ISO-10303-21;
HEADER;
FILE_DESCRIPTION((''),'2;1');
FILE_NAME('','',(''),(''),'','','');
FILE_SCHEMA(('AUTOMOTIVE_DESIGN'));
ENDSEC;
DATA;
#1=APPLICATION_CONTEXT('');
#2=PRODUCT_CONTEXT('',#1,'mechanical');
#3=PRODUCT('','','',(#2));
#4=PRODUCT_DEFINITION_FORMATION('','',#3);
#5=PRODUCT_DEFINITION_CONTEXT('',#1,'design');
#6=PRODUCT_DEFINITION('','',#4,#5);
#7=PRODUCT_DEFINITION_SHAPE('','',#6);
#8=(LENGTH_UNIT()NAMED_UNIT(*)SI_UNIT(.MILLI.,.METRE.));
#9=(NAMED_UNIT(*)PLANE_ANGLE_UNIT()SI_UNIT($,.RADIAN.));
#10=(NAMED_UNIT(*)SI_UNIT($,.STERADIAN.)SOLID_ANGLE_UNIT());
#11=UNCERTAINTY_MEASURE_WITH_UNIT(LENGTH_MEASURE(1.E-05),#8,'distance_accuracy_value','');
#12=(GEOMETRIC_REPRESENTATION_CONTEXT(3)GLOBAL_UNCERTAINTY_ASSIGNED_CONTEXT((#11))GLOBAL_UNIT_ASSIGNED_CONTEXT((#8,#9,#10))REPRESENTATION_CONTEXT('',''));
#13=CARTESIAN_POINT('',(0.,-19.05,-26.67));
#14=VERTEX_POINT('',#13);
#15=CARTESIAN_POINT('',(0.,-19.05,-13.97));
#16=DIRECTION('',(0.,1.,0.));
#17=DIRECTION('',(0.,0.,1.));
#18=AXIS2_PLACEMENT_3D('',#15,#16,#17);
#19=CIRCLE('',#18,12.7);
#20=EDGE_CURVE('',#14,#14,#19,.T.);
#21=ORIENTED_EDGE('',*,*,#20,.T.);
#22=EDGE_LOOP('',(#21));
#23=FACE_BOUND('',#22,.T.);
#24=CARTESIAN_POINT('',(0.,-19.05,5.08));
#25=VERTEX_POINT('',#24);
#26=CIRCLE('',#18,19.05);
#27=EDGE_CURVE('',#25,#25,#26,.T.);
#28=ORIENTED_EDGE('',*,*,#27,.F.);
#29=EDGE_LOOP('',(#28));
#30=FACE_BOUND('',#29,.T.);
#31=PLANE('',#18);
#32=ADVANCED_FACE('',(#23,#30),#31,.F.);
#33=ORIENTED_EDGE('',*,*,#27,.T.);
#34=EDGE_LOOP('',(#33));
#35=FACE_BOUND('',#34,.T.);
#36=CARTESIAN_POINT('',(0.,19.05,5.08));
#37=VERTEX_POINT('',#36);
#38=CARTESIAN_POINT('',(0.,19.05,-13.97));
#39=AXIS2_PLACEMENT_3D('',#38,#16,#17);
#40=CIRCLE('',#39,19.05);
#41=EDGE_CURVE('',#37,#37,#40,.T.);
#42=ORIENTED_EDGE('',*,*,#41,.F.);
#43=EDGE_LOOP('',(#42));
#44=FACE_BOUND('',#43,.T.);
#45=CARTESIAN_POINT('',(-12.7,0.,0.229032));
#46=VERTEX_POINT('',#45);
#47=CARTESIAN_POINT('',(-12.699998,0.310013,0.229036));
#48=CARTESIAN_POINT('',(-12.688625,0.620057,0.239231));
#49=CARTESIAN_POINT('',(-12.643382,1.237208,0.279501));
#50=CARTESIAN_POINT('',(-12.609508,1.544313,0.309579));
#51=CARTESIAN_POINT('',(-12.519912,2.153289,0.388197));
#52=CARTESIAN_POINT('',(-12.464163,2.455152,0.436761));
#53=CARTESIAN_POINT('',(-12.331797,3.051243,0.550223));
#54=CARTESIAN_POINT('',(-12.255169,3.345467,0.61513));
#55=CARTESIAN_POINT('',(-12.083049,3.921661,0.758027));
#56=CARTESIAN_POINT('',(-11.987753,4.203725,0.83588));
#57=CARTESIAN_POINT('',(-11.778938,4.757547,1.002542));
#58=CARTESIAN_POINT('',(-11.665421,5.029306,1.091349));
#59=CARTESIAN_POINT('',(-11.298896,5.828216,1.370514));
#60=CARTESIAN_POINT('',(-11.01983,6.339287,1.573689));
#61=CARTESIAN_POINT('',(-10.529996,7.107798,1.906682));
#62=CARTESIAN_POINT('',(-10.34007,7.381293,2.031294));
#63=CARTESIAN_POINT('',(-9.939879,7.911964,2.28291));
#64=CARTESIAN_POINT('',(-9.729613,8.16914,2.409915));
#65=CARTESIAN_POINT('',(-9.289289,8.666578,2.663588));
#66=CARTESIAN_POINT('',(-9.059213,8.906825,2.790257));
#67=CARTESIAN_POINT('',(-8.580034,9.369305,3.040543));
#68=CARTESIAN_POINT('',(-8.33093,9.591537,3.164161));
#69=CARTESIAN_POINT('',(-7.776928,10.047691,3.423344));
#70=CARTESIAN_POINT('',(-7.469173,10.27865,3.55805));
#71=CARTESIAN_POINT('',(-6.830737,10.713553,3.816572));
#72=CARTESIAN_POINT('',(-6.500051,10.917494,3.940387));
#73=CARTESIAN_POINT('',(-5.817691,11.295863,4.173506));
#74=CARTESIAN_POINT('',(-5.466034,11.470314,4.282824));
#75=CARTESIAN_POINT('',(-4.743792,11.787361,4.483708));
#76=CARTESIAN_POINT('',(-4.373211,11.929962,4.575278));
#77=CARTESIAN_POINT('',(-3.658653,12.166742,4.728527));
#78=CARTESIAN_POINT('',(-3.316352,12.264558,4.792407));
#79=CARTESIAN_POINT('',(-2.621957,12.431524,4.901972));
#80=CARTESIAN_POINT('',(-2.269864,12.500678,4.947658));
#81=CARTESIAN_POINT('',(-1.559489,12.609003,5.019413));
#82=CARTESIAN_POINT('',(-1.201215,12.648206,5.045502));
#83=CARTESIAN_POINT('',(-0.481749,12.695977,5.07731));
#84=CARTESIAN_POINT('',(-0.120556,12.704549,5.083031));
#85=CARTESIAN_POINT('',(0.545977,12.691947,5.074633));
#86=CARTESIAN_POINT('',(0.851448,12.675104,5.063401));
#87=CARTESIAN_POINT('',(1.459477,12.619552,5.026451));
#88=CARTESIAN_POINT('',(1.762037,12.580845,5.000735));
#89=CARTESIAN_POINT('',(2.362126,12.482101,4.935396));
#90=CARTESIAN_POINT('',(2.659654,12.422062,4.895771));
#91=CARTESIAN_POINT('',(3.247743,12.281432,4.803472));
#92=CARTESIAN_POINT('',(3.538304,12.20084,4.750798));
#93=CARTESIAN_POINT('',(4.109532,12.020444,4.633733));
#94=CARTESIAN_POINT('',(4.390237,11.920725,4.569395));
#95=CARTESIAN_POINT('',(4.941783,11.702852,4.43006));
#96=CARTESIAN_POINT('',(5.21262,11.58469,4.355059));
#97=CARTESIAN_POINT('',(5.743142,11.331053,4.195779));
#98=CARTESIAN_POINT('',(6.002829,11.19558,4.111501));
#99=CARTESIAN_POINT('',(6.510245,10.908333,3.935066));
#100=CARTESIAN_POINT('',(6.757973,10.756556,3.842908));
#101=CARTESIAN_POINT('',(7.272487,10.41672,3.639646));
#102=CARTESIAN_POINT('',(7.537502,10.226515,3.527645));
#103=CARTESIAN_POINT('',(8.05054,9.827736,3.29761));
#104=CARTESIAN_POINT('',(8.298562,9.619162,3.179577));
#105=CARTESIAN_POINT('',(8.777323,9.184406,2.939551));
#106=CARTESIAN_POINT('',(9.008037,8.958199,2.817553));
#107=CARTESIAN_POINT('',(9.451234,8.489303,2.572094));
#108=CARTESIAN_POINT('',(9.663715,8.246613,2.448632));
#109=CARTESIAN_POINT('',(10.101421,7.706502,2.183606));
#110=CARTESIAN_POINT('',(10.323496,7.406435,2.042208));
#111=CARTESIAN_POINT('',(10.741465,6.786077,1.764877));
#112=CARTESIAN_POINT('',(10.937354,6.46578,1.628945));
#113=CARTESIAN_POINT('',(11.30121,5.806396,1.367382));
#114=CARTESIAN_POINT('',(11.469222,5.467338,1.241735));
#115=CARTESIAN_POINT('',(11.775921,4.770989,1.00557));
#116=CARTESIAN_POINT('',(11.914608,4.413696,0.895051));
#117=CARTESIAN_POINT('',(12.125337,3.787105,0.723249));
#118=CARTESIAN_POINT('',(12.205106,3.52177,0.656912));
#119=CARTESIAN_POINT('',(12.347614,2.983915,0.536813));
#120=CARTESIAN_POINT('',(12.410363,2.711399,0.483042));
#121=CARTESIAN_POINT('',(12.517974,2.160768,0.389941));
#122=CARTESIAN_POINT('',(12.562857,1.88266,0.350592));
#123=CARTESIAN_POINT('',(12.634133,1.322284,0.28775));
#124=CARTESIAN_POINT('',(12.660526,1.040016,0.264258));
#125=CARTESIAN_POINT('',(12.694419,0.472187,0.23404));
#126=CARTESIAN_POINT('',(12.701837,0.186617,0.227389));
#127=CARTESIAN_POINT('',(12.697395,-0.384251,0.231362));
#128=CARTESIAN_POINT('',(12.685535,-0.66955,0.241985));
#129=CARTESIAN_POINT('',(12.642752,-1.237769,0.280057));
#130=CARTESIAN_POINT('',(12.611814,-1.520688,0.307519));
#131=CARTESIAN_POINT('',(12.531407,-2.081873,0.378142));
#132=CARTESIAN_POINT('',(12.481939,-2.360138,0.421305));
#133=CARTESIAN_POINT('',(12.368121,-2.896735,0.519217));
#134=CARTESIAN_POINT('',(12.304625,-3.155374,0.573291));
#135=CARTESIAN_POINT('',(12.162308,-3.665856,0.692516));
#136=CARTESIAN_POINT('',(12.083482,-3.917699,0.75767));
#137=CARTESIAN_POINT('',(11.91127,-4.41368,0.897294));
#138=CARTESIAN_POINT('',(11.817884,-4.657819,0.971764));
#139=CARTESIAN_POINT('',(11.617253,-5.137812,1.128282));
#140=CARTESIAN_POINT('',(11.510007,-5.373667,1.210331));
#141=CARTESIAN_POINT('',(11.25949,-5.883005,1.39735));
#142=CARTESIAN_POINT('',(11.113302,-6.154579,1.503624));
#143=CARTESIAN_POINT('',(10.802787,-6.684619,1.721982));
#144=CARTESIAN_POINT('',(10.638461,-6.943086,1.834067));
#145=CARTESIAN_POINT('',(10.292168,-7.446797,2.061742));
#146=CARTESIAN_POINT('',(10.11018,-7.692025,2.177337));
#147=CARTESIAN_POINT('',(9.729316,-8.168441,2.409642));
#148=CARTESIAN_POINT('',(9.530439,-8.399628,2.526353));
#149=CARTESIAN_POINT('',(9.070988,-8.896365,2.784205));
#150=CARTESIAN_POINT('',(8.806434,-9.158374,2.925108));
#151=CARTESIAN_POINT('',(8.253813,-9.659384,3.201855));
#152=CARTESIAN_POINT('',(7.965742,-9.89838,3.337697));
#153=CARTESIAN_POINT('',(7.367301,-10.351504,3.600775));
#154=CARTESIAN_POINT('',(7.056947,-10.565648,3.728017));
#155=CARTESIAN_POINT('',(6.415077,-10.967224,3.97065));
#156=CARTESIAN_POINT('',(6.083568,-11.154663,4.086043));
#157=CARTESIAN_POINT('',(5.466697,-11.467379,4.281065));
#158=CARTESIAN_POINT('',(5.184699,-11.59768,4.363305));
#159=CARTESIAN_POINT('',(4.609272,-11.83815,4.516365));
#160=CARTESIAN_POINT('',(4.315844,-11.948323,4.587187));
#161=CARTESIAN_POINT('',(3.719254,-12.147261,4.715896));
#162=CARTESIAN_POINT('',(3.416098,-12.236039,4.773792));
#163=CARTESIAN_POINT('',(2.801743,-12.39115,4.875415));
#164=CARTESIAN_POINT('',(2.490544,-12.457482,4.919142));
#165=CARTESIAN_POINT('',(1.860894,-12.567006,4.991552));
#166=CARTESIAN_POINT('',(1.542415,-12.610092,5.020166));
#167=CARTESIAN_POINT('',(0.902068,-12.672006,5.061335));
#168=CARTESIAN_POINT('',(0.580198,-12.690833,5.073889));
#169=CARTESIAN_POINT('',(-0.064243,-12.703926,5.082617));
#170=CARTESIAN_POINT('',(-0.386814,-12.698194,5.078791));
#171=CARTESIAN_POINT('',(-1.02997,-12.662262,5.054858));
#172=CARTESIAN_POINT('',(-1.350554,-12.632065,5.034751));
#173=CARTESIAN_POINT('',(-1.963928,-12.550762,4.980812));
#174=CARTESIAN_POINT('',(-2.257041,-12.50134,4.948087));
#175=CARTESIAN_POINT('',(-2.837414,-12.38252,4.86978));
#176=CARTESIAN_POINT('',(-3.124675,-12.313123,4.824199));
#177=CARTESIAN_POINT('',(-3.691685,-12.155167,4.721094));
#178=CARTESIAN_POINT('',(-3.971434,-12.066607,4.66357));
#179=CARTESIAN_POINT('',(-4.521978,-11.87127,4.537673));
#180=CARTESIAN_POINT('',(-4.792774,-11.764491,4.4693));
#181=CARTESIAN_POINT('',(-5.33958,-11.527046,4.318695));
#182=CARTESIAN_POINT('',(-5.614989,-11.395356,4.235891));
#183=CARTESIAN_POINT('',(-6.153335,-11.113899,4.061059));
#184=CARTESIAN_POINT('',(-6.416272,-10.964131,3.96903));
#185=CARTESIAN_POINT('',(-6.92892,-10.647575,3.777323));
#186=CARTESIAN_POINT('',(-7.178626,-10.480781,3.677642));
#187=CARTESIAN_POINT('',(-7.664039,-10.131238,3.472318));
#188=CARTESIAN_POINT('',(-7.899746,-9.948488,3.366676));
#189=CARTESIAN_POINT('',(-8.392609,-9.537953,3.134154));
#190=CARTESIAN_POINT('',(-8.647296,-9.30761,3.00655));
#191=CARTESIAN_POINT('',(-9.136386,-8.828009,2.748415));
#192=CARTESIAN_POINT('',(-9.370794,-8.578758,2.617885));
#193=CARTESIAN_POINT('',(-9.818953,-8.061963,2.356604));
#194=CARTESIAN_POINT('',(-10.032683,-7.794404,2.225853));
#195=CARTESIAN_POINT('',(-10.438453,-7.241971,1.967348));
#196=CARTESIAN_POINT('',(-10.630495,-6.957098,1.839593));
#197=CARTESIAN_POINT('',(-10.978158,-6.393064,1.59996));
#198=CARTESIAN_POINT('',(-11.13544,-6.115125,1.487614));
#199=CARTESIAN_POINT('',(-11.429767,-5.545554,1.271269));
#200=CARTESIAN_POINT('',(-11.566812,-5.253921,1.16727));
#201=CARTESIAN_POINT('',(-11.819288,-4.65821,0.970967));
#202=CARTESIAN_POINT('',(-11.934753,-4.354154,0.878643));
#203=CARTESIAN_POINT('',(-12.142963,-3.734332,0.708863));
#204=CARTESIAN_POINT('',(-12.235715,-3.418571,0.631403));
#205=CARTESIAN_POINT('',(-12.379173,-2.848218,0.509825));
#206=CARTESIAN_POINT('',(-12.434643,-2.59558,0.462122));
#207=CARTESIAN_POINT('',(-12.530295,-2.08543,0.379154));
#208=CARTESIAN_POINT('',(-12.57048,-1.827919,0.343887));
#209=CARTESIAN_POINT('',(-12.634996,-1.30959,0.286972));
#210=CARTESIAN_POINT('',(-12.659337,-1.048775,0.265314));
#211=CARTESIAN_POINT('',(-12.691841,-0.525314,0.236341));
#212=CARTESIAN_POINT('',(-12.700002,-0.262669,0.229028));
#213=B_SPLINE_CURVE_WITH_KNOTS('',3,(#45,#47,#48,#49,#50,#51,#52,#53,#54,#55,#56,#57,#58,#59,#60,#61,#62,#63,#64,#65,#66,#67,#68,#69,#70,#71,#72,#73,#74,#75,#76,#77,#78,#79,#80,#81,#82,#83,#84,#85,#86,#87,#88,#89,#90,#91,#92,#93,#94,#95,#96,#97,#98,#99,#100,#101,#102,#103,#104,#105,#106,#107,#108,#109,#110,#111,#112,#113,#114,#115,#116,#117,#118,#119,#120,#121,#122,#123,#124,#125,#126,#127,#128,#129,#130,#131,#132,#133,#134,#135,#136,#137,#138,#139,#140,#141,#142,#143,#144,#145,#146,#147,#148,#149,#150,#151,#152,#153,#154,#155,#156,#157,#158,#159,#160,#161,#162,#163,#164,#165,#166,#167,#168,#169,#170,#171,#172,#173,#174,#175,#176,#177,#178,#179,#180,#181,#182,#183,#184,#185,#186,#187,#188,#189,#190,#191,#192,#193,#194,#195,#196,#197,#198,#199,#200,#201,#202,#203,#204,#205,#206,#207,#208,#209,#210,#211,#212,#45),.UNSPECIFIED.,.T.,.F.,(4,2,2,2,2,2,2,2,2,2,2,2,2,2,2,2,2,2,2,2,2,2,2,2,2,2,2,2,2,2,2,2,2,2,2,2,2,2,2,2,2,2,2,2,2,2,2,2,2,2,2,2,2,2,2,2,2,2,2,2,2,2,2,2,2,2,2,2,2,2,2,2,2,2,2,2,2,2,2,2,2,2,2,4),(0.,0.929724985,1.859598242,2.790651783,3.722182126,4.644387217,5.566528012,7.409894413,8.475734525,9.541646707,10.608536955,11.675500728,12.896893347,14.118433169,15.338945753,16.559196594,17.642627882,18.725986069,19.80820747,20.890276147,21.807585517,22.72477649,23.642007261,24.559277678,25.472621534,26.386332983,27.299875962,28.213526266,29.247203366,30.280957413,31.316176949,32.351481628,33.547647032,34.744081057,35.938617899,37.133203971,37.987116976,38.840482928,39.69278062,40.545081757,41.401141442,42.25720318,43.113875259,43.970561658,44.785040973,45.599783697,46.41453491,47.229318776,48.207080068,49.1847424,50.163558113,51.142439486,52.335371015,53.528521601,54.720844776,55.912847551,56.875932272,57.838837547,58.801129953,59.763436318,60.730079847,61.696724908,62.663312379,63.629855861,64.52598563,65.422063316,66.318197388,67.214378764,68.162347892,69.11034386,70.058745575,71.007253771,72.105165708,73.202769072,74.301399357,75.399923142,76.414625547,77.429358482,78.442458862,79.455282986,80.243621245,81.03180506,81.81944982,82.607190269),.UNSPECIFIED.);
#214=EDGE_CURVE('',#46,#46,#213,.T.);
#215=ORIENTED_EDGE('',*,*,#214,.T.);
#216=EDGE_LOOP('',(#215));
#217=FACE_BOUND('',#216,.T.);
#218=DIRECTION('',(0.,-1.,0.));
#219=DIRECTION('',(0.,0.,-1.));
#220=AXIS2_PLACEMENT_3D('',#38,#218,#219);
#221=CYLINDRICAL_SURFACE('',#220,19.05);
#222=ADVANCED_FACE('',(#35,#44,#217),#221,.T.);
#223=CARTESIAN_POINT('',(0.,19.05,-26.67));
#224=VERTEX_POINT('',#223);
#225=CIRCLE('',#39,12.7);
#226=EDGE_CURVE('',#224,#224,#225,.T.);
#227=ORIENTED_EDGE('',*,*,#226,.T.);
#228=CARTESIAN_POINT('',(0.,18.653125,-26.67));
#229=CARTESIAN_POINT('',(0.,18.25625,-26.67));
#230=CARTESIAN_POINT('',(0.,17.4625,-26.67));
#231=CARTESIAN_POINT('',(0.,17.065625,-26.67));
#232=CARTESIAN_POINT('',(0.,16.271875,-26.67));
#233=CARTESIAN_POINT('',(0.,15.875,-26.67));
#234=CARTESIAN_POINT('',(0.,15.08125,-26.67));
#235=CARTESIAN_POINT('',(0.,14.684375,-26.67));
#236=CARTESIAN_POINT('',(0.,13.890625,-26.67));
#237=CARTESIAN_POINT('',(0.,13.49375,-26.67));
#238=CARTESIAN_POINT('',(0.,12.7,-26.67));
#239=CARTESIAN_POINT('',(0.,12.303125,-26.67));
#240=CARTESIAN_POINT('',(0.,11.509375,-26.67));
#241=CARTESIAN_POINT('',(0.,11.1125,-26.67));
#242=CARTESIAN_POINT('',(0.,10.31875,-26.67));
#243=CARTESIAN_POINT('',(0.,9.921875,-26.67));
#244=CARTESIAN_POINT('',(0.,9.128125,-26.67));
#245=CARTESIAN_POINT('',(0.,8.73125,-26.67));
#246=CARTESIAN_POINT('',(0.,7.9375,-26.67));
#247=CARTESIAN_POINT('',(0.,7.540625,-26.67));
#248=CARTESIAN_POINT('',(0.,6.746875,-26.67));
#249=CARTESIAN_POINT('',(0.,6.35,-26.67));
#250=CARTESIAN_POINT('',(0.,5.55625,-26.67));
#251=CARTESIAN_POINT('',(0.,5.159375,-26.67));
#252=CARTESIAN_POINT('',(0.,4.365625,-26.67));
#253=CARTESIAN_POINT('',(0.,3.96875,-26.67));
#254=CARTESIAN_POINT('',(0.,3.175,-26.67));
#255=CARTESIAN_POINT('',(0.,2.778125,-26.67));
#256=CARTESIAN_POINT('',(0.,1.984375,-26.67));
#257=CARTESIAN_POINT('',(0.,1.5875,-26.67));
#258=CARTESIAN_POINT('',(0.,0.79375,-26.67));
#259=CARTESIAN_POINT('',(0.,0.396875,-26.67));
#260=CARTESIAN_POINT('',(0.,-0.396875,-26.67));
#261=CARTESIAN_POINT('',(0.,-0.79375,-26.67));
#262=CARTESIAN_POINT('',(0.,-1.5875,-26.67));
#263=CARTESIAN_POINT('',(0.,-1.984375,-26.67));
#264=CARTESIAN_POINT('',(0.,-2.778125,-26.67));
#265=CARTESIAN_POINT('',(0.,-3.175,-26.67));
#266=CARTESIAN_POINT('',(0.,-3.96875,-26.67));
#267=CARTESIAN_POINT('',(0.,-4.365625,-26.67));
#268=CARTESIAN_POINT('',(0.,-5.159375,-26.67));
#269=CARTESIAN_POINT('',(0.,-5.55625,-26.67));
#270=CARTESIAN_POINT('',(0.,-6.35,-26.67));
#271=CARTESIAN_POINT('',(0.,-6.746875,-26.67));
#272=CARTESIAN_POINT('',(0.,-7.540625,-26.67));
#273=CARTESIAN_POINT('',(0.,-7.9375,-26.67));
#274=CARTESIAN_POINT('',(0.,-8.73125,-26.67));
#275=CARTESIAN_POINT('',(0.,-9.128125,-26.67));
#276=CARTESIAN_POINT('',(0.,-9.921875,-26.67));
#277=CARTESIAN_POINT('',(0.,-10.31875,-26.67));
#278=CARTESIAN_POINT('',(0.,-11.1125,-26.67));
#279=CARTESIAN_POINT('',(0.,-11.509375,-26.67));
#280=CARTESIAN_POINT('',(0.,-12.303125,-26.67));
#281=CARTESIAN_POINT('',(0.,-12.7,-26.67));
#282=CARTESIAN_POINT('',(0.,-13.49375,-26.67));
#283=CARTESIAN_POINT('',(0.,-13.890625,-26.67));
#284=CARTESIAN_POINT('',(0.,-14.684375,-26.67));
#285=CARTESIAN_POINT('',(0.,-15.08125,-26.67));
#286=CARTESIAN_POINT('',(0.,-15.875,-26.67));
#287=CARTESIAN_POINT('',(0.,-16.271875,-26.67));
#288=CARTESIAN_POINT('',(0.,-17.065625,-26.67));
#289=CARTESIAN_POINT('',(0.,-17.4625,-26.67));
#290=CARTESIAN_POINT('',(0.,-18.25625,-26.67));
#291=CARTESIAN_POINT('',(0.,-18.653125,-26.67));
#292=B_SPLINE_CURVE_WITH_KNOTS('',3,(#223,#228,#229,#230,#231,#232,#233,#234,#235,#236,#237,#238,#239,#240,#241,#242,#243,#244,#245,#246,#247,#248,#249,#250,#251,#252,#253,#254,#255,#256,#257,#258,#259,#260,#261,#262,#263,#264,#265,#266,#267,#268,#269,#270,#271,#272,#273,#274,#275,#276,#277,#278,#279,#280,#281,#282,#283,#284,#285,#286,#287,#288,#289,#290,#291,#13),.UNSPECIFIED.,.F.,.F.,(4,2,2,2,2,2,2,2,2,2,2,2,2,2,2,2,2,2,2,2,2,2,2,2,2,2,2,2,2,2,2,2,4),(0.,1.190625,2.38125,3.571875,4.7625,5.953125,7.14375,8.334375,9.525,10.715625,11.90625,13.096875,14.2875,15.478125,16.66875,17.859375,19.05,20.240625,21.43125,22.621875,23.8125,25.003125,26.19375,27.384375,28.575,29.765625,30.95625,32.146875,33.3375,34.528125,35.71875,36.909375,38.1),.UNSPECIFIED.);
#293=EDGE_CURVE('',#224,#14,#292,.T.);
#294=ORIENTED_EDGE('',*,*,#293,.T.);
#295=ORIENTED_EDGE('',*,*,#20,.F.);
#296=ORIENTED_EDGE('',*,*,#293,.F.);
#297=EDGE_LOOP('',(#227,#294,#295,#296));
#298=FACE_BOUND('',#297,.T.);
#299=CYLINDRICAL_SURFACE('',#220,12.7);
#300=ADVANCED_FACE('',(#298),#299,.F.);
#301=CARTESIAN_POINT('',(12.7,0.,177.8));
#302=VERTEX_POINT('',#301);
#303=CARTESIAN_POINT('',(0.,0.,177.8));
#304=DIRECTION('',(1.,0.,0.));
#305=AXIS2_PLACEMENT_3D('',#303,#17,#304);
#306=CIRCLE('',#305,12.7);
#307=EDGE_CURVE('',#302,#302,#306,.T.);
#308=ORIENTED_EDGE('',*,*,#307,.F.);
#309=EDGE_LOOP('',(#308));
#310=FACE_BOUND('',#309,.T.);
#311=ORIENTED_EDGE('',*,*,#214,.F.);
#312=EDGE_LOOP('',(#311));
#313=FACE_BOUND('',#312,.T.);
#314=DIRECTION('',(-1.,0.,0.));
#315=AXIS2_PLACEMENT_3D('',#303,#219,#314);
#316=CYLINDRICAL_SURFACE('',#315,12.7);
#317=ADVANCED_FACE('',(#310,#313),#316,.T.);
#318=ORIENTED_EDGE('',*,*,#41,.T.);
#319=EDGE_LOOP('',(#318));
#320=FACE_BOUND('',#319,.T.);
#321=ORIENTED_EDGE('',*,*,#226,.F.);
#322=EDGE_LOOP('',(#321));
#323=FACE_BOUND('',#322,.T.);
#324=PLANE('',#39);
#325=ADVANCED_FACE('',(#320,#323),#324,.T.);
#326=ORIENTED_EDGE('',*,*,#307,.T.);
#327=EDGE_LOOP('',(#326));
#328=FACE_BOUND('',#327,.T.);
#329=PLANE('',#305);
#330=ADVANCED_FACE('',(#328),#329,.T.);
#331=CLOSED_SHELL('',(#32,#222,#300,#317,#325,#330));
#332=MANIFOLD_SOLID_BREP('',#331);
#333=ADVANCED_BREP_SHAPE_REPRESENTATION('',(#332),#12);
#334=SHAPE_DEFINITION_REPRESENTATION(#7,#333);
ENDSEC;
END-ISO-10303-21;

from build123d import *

# Parameters (mm, degrees)
SKETCH1_R           = 12.7
BOSS_EXTRUDE1_DEPTH = 177.8
SKETCH2_R           = 19.05
SKETCH2_R_2         = 12.7
BOSS_EXTRUDE2_DEPTH = 19.05


with BuildPart() as part:
    # Sketch1 → Boss-Extrude1 (new body)
    with BuildSketch(Plane.XY):
        Circle(SKETCH1_R)
    extrude(amount=BOSS_EXTRUDE1_DEPTH)

    # Sketch2 → Boss-Extrude2 (add, symmetric)
    with BuildSketch(Plane(origin=(0, 0, 0), x_dir=(1, 0, 0), z_dir=(0, 1, 0))):
        with Locations(Location((0, 13.97, 0), (0, 0, 270))):
            Circle(SKETCH2_R)
        with Locations(Location((0, 13.97, 0), (0, 0, 90))):
            Circle(SKETCH2_R_2, mode=Mode.SUBTRACT)
    extrude(amount=BOSS_EXTRUDE2_DEPTH, both=True)


solid = part.part
